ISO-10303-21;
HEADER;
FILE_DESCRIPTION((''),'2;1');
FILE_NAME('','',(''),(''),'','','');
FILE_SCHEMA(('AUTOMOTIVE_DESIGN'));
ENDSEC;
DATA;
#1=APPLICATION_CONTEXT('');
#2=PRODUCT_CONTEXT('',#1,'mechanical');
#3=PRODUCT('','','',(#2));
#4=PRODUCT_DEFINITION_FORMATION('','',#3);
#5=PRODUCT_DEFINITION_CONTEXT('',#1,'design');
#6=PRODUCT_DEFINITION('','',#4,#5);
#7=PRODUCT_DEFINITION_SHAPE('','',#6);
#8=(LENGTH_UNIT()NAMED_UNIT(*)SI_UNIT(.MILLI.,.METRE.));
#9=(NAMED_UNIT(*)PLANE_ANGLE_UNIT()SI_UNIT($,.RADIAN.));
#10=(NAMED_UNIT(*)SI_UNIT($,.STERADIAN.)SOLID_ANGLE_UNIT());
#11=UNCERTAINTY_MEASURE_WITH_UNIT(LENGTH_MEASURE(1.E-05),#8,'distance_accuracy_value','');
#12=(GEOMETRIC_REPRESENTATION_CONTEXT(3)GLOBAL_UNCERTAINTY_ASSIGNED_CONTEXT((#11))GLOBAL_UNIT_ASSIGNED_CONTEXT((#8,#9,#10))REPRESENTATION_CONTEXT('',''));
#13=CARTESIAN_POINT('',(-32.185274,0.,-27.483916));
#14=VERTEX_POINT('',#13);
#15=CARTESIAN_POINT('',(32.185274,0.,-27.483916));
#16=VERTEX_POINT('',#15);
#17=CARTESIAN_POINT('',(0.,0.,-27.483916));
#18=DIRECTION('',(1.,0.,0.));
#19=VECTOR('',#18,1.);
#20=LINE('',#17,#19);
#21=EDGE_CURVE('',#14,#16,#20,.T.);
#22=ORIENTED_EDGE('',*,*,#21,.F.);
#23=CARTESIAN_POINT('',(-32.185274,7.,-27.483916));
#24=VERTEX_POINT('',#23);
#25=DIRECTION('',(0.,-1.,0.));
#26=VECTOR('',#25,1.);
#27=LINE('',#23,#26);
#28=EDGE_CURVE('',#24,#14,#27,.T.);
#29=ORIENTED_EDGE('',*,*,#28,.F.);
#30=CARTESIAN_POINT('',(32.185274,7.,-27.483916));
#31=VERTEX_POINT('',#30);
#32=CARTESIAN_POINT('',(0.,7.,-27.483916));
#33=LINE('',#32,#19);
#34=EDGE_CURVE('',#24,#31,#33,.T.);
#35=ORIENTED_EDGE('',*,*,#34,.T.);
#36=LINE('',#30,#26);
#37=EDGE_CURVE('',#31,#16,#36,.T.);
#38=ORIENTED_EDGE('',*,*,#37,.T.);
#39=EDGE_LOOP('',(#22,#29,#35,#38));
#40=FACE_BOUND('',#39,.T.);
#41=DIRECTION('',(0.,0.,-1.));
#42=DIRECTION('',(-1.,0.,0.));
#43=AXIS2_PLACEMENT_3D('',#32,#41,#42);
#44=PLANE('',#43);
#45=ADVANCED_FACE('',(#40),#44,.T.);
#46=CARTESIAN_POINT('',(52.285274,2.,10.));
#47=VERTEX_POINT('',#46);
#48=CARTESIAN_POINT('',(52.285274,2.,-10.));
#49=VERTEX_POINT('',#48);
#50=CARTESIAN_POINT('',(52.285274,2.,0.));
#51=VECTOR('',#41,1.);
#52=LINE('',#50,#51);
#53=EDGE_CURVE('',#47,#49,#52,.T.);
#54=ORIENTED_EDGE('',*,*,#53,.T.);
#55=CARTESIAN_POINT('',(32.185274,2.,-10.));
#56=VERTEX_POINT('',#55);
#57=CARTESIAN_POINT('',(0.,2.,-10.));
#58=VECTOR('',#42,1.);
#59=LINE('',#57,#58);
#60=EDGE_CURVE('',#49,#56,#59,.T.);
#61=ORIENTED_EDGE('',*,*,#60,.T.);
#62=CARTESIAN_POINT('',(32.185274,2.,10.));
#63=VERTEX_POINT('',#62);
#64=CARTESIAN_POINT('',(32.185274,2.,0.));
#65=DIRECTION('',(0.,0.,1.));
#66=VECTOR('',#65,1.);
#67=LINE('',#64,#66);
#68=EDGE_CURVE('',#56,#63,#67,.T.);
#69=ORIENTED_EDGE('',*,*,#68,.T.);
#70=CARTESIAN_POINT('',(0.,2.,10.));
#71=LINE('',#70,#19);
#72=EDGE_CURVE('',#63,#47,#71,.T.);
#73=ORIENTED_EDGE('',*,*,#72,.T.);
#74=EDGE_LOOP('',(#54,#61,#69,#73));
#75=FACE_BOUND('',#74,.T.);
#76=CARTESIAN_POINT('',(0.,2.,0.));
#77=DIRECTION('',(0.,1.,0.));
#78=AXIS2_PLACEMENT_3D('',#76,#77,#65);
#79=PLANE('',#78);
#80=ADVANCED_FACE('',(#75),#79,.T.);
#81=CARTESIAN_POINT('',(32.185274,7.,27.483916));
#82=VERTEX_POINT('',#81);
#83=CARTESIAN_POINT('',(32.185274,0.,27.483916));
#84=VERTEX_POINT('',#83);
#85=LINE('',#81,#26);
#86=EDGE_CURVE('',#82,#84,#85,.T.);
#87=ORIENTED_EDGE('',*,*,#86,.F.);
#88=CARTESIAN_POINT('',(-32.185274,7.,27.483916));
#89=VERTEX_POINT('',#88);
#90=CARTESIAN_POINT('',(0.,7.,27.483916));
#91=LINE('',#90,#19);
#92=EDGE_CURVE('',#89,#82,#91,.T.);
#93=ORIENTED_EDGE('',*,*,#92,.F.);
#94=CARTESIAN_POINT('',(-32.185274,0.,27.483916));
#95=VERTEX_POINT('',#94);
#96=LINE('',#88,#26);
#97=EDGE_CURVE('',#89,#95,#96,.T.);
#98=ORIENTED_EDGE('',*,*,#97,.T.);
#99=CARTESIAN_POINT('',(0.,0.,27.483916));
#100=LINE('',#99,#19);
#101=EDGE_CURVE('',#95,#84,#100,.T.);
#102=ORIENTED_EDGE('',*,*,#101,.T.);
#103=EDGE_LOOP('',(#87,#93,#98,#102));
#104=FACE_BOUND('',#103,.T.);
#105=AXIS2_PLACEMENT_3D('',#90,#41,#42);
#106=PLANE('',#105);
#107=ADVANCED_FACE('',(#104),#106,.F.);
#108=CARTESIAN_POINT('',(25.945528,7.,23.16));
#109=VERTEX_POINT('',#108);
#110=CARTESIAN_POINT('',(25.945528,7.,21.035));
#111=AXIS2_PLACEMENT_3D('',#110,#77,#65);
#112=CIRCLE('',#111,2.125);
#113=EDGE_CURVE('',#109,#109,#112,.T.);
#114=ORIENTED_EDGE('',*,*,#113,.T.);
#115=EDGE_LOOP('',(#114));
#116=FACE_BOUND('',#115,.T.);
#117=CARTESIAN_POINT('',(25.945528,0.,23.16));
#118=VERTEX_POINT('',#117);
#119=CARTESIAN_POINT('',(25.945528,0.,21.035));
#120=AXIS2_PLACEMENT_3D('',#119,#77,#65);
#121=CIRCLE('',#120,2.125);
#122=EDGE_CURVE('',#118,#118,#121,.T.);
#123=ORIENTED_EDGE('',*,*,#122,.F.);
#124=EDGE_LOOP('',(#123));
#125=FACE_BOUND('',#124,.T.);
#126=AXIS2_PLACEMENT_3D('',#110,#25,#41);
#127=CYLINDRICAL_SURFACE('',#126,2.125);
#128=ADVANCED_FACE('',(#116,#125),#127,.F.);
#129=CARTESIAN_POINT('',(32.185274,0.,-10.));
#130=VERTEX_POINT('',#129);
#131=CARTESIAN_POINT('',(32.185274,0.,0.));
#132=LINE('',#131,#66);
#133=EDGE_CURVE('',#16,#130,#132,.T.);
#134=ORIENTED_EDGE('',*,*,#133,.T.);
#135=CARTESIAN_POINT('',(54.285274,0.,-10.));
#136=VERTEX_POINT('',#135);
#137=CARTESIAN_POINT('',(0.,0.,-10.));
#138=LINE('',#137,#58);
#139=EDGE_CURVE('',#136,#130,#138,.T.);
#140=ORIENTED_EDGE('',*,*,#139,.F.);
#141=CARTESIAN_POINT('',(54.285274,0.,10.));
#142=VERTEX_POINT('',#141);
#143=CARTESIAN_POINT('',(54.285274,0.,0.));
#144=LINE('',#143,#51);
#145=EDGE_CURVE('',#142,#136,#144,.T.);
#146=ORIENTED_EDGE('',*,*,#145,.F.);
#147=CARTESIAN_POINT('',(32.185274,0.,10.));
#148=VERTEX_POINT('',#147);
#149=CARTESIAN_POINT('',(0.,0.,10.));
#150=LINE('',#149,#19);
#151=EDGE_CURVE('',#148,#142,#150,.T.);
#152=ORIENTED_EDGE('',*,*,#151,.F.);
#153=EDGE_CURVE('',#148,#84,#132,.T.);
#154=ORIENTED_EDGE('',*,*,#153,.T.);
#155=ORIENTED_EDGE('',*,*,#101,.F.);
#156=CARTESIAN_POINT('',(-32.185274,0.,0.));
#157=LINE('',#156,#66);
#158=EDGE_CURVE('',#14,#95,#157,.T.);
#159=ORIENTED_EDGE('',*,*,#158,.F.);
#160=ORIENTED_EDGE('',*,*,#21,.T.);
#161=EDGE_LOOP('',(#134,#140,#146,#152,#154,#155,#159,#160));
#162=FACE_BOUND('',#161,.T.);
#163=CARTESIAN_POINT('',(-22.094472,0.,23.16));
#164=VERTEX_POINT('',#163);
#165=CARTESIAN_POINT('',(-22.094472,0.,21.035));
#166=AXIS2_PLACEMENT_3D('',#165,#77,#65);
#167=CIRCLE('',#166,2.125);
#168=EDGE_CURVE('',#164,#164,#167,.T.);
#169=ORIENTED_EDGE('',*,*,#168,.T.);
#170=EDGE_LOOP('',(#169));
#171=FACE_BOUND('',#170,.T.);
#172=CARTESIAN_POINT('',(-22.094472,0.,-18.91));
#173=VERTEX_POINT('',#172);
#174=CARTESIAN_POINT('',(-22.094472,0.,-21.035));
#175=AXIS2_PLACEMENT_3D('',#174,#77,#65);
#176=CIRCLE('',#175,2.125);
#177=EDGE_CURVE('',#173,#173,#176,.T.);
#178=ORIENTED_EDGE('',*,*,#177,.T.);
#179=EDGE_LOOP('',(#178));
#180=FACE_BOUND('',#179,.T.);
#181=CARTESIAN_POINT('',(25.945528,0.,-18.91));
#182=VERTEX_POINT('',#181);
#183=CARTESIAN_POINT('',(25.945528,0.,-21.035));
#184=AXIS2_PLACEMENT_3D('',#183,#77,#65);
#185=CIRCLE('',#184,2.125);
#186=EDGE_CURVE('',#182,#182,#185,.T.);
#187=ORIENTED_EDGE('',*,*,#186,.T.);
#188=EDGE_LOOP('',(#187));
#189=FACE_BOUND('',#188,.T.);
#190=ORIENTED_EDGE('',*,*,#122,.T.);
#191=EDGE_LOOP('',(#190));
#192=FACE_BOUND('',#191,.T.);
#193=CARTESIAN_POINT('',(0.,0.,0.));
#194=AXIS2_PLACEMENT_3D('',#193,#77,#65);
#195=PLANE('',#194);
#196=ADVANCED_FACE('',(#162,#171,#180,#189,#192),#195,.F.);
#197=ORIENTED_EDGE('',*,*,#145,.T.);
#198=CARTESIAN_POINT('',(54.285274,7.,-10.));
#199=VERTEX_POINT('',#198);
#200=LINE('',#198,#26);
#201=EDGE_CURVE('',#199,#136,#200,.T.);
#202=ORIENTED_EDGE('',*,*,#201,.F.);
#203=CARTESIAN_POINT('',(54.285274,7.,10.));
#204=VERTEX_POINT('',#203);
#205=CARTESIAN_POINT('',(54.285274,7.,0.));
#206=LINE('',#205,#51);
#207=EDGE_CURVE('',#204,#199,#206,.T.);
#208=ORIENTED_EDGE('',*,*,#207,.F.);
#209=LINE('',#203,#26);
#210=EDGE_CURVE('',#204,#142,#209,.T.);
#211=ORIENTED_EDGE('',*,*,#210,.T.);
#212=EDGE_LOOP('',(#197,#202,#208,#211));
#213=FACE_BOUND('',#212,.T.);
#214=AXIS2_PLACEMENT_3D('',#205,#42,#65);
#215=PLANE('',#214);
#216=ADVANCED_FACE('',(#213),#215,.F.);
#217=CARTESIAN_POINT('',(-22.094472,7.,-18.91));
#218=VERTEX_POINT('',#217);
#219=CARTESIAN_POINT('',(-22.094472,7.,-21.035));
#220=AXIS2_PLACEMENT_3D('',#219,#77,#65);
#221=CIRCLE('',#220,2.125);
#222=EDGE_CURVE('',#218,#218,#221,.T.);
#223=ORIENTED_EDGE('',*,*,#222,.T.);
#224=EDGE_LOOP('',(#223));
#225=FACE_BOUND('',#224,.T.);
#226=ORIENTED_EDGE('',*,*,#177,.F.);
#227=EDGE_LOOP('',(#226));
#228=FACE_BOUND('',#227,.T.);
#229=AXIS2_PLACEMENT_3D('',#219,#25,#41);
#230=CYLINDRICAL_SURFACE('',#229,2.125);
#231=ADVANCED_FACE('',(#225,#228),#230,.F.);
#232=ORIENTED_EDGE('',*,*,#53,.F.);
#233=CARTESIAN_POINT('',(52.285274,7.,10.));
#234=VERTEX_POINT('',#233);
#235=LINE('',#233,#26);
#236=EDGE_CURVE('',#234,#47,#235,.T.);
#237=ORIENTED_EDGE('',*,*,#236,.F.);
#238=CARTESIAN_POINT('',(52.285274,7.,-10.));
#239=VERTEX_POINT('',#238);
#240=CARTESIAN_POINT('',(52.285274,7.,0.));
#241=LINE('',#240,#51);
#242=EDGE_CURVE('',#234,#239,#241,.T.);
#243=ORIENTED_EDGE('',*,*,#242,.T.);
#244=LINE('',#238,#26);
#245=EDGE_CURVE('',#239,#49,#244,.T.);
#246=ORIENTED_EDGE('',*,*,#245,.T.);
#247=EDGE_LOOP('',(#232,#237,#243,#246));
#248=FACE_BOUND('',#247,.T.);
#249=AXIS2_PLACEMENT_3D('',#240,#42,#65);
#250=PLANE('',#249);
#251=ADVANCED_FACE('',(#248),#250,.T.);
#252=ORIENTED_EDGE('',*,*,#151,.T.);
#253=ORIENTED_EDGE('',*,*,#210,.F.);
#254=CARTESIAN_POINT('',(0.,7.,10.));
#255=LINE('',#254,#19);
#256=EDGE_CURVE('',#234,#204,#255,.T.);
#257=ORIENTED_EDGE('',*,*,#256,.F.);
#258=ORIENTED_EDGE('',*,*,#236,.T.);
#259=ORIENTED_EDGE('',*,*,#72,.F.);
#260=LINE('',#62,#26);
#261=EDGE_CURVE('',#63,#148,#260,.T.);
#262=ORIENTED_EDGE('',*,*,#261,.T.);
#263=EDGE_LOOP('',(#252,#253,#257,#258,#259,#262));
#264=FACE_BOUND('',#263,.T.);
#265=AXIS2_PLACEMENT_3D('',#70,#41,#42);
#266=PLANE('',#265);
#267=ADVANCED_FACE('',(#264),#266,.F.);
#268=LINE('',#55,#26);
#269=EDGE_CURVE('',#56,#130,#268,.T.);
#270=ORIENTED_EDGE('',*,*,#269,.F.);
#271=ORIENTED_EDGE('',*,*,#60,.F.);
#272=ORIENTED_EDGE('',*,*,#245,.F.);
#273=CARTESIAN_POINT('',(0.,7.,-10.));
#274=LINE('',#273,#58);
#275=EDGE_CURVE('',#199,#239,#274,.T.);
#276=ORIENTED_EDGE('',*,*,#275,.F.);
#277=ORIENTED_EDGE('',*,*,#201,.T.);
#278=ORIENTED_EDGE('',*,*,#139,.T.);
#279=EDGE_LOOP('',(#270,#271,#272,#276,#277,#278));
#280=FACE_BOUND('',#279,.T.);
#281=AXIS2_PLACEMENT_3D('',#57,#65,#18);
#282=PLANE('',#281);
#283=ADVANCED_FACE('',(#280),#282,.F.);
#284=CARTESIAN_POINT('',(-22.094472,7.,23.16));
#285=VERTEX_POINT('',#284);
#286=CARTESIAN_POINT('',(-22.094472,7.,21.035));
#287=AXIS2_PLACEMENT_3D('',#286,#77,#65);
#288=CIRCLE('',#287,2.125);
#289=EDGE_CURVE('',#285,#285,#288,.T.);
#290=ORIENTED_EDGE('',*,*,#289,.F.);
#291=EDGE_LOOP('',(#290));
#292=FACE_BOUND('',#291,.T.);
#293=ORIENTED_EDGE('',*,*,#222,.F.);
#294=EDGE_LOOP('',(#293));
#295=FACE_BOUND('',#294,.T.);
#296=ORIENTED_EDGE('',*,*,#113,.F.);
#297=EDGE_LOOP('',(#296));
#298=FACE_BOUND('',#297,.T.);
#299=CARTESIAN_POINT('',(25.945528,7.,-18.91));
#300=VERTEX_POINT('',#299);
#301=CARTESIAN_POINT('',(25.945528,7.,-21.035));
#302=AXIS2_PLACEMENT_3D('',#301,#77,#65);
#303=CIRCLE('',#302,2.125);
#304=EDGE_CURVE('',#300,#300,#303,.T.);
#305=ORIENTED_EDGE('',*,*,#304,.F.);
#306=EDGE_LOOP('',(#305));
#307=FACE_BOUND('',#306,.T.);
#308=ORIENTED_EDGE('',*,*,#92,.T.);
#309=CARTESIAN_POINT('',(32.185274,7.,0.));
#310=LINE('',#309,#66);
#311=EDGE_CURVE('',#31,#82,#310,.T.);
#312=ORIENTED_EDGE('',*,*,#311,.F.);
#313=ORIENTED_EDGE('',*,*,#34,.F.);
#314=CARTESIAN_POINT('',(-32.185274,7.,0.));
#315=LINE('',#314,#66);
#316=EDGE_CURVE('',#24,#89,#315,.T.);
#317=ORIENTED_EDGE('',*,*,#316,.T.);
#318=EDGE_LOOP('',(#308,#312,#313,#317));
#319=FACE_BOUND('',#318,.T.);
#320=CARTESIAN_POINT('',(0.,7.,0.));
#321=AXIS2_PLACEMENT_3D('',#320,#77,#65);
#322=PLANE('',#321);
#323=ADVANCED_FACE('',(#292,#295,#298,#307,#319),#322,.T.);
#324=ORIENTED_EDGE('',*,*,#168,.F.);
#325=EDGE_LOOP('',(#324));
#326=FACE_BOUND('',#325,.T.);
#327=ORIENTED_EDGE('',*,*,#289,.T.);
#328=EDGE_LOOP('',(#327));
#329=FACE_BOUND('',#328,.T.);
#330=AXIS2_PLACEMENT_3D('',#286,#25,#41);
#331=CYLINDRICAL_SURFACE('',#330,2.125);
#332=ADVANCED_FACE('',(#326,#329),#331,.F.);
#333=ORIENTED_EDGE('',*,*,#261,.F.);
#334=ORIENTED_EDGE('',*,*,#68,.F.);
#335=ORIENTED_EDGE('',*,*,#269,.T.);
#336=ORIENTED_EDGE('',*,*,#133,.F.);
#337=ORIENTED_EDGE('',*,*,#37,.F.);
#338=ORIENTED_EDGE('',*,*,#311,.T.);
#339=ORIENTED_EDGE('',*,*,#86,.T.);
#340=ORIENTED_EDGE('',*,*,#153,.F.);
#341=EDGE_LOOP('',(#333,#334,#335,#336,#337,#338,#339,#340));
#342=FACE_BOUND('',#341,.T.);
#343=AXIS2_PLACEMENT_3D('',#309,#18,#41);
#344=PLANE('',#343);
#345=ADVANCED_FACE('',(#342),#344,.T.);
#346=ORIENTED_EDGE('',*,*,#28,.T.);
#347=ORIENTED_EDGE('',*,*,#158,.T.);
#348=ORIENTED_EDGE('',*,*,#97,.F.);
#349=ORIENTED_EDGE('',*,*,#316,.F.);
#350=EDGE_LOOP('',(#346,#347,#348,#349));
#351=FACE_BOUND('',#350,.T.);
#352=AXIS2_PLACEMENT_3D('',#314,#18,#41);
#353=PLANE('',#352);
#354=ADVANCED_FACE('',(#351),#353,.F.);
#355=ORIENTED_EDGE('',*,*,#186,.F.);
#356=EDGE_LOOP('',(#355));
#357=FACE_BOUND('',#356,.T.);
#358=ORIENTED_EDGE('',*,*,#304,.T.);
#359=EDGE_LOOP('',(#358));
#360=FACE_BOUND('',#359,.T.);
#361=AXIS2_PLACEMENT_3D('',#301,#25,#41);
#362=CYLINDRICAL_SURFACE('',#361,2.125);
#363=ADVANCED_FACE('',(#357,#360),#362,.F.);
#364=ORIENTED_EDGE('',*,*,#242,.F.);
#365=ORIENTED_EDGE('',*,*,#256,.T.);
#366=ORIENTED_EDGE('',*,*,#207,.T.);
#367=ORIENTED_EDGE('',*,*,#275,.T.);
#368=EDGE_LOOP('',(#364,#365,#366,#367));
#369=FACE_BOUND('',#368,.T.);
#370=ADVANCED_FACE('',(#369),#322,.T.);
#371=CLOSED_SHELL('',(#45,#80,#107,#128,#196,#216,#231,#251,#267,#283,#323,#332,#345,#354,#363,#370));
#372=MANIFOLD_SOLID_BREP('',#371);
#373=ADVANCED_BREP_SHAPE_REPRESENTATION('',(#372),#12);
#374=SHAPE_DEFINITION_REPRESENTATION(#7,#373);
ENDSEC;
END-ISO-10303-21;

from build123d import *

# Parameters (mm, degrees)
SKETCH1_W             = 64.370548606
SKETCH1_H             = 54.967832462
SKETCH1_R             = 2.125
BOSS_EXTRUDE1_DEPTH   = 7
SKETCH1_W_2           = 2
SKETCH1_H_2           = 20
BOSS_EXTRUDE1_2_DEPTH = 7
SKETCH1_3_W           = 20.1
SKETCH1_3_H           = 20
BOSS_EXTRUDE2_DEPTH   = 2


with BuildPart() as part:
    # Sketch1 → Boss-Extrude1 (new body)
    with BuildSketch(Plane(origin=(0, 0, 0), x_dir=(1, 0, 0), z_dir=(0, 1, 0))):
        Rectangle(SKETCH1_W, SKETCH1_H)
        with Locations((-22.09447199, -21.035)):
            Circle(SKETCH1_R, mode=Mode.SUBTRACT)
        with Locations((25.94552801, -21.035)):
            Circle(SKETCH1_R, mode=Mode.SUBTRACT)
        with Locations((-22.09447199, 21.035)):
            Circle(SKETCH1_R, mode=Mode.SUBTRACT)
        with Locations((25.94552801, 21.035)):
            Circle(SKETCH1_R, mode=Mode.SUBTRACT)
    extrude(amount=BOSS_EXTRUDE1_DEPTH)



with BuildPart() as body_2:
    # Sketch1 → Boss-Extrude1 2 (new body)
    with BuildSketch(Plane(origin=(0, 0, 0), x_dir=(1, 0, 0), z_dir=(0, 1, 0))):
        with Locations((53.285274303, 0)):
            Rectangle(SKETCH1_W_2, SKETCH1_H_2)
    extrude(amount=BOSS_EXTRUDE1_2_DEPTH)


with BuildPart() as part_1:
    add(part.part)

    add(body_2.part)  # Boss-Extrude2 merges body 2
    # Sketch1<3> → Boss-Extrude2 (add)
    with BuildSketch(Plane(origin=(0, 0, 0), x_dir=(1, 0, 0), z_dir=(0, 1, 0))):
        with Locations((42.235274303, 0)):
            Rectangle(SKETCH1_3_W, SKETCH1_3_H)
    extrude(amount=BOSS_EXTRUDE2_DEPTH)


solid = part_1.part
